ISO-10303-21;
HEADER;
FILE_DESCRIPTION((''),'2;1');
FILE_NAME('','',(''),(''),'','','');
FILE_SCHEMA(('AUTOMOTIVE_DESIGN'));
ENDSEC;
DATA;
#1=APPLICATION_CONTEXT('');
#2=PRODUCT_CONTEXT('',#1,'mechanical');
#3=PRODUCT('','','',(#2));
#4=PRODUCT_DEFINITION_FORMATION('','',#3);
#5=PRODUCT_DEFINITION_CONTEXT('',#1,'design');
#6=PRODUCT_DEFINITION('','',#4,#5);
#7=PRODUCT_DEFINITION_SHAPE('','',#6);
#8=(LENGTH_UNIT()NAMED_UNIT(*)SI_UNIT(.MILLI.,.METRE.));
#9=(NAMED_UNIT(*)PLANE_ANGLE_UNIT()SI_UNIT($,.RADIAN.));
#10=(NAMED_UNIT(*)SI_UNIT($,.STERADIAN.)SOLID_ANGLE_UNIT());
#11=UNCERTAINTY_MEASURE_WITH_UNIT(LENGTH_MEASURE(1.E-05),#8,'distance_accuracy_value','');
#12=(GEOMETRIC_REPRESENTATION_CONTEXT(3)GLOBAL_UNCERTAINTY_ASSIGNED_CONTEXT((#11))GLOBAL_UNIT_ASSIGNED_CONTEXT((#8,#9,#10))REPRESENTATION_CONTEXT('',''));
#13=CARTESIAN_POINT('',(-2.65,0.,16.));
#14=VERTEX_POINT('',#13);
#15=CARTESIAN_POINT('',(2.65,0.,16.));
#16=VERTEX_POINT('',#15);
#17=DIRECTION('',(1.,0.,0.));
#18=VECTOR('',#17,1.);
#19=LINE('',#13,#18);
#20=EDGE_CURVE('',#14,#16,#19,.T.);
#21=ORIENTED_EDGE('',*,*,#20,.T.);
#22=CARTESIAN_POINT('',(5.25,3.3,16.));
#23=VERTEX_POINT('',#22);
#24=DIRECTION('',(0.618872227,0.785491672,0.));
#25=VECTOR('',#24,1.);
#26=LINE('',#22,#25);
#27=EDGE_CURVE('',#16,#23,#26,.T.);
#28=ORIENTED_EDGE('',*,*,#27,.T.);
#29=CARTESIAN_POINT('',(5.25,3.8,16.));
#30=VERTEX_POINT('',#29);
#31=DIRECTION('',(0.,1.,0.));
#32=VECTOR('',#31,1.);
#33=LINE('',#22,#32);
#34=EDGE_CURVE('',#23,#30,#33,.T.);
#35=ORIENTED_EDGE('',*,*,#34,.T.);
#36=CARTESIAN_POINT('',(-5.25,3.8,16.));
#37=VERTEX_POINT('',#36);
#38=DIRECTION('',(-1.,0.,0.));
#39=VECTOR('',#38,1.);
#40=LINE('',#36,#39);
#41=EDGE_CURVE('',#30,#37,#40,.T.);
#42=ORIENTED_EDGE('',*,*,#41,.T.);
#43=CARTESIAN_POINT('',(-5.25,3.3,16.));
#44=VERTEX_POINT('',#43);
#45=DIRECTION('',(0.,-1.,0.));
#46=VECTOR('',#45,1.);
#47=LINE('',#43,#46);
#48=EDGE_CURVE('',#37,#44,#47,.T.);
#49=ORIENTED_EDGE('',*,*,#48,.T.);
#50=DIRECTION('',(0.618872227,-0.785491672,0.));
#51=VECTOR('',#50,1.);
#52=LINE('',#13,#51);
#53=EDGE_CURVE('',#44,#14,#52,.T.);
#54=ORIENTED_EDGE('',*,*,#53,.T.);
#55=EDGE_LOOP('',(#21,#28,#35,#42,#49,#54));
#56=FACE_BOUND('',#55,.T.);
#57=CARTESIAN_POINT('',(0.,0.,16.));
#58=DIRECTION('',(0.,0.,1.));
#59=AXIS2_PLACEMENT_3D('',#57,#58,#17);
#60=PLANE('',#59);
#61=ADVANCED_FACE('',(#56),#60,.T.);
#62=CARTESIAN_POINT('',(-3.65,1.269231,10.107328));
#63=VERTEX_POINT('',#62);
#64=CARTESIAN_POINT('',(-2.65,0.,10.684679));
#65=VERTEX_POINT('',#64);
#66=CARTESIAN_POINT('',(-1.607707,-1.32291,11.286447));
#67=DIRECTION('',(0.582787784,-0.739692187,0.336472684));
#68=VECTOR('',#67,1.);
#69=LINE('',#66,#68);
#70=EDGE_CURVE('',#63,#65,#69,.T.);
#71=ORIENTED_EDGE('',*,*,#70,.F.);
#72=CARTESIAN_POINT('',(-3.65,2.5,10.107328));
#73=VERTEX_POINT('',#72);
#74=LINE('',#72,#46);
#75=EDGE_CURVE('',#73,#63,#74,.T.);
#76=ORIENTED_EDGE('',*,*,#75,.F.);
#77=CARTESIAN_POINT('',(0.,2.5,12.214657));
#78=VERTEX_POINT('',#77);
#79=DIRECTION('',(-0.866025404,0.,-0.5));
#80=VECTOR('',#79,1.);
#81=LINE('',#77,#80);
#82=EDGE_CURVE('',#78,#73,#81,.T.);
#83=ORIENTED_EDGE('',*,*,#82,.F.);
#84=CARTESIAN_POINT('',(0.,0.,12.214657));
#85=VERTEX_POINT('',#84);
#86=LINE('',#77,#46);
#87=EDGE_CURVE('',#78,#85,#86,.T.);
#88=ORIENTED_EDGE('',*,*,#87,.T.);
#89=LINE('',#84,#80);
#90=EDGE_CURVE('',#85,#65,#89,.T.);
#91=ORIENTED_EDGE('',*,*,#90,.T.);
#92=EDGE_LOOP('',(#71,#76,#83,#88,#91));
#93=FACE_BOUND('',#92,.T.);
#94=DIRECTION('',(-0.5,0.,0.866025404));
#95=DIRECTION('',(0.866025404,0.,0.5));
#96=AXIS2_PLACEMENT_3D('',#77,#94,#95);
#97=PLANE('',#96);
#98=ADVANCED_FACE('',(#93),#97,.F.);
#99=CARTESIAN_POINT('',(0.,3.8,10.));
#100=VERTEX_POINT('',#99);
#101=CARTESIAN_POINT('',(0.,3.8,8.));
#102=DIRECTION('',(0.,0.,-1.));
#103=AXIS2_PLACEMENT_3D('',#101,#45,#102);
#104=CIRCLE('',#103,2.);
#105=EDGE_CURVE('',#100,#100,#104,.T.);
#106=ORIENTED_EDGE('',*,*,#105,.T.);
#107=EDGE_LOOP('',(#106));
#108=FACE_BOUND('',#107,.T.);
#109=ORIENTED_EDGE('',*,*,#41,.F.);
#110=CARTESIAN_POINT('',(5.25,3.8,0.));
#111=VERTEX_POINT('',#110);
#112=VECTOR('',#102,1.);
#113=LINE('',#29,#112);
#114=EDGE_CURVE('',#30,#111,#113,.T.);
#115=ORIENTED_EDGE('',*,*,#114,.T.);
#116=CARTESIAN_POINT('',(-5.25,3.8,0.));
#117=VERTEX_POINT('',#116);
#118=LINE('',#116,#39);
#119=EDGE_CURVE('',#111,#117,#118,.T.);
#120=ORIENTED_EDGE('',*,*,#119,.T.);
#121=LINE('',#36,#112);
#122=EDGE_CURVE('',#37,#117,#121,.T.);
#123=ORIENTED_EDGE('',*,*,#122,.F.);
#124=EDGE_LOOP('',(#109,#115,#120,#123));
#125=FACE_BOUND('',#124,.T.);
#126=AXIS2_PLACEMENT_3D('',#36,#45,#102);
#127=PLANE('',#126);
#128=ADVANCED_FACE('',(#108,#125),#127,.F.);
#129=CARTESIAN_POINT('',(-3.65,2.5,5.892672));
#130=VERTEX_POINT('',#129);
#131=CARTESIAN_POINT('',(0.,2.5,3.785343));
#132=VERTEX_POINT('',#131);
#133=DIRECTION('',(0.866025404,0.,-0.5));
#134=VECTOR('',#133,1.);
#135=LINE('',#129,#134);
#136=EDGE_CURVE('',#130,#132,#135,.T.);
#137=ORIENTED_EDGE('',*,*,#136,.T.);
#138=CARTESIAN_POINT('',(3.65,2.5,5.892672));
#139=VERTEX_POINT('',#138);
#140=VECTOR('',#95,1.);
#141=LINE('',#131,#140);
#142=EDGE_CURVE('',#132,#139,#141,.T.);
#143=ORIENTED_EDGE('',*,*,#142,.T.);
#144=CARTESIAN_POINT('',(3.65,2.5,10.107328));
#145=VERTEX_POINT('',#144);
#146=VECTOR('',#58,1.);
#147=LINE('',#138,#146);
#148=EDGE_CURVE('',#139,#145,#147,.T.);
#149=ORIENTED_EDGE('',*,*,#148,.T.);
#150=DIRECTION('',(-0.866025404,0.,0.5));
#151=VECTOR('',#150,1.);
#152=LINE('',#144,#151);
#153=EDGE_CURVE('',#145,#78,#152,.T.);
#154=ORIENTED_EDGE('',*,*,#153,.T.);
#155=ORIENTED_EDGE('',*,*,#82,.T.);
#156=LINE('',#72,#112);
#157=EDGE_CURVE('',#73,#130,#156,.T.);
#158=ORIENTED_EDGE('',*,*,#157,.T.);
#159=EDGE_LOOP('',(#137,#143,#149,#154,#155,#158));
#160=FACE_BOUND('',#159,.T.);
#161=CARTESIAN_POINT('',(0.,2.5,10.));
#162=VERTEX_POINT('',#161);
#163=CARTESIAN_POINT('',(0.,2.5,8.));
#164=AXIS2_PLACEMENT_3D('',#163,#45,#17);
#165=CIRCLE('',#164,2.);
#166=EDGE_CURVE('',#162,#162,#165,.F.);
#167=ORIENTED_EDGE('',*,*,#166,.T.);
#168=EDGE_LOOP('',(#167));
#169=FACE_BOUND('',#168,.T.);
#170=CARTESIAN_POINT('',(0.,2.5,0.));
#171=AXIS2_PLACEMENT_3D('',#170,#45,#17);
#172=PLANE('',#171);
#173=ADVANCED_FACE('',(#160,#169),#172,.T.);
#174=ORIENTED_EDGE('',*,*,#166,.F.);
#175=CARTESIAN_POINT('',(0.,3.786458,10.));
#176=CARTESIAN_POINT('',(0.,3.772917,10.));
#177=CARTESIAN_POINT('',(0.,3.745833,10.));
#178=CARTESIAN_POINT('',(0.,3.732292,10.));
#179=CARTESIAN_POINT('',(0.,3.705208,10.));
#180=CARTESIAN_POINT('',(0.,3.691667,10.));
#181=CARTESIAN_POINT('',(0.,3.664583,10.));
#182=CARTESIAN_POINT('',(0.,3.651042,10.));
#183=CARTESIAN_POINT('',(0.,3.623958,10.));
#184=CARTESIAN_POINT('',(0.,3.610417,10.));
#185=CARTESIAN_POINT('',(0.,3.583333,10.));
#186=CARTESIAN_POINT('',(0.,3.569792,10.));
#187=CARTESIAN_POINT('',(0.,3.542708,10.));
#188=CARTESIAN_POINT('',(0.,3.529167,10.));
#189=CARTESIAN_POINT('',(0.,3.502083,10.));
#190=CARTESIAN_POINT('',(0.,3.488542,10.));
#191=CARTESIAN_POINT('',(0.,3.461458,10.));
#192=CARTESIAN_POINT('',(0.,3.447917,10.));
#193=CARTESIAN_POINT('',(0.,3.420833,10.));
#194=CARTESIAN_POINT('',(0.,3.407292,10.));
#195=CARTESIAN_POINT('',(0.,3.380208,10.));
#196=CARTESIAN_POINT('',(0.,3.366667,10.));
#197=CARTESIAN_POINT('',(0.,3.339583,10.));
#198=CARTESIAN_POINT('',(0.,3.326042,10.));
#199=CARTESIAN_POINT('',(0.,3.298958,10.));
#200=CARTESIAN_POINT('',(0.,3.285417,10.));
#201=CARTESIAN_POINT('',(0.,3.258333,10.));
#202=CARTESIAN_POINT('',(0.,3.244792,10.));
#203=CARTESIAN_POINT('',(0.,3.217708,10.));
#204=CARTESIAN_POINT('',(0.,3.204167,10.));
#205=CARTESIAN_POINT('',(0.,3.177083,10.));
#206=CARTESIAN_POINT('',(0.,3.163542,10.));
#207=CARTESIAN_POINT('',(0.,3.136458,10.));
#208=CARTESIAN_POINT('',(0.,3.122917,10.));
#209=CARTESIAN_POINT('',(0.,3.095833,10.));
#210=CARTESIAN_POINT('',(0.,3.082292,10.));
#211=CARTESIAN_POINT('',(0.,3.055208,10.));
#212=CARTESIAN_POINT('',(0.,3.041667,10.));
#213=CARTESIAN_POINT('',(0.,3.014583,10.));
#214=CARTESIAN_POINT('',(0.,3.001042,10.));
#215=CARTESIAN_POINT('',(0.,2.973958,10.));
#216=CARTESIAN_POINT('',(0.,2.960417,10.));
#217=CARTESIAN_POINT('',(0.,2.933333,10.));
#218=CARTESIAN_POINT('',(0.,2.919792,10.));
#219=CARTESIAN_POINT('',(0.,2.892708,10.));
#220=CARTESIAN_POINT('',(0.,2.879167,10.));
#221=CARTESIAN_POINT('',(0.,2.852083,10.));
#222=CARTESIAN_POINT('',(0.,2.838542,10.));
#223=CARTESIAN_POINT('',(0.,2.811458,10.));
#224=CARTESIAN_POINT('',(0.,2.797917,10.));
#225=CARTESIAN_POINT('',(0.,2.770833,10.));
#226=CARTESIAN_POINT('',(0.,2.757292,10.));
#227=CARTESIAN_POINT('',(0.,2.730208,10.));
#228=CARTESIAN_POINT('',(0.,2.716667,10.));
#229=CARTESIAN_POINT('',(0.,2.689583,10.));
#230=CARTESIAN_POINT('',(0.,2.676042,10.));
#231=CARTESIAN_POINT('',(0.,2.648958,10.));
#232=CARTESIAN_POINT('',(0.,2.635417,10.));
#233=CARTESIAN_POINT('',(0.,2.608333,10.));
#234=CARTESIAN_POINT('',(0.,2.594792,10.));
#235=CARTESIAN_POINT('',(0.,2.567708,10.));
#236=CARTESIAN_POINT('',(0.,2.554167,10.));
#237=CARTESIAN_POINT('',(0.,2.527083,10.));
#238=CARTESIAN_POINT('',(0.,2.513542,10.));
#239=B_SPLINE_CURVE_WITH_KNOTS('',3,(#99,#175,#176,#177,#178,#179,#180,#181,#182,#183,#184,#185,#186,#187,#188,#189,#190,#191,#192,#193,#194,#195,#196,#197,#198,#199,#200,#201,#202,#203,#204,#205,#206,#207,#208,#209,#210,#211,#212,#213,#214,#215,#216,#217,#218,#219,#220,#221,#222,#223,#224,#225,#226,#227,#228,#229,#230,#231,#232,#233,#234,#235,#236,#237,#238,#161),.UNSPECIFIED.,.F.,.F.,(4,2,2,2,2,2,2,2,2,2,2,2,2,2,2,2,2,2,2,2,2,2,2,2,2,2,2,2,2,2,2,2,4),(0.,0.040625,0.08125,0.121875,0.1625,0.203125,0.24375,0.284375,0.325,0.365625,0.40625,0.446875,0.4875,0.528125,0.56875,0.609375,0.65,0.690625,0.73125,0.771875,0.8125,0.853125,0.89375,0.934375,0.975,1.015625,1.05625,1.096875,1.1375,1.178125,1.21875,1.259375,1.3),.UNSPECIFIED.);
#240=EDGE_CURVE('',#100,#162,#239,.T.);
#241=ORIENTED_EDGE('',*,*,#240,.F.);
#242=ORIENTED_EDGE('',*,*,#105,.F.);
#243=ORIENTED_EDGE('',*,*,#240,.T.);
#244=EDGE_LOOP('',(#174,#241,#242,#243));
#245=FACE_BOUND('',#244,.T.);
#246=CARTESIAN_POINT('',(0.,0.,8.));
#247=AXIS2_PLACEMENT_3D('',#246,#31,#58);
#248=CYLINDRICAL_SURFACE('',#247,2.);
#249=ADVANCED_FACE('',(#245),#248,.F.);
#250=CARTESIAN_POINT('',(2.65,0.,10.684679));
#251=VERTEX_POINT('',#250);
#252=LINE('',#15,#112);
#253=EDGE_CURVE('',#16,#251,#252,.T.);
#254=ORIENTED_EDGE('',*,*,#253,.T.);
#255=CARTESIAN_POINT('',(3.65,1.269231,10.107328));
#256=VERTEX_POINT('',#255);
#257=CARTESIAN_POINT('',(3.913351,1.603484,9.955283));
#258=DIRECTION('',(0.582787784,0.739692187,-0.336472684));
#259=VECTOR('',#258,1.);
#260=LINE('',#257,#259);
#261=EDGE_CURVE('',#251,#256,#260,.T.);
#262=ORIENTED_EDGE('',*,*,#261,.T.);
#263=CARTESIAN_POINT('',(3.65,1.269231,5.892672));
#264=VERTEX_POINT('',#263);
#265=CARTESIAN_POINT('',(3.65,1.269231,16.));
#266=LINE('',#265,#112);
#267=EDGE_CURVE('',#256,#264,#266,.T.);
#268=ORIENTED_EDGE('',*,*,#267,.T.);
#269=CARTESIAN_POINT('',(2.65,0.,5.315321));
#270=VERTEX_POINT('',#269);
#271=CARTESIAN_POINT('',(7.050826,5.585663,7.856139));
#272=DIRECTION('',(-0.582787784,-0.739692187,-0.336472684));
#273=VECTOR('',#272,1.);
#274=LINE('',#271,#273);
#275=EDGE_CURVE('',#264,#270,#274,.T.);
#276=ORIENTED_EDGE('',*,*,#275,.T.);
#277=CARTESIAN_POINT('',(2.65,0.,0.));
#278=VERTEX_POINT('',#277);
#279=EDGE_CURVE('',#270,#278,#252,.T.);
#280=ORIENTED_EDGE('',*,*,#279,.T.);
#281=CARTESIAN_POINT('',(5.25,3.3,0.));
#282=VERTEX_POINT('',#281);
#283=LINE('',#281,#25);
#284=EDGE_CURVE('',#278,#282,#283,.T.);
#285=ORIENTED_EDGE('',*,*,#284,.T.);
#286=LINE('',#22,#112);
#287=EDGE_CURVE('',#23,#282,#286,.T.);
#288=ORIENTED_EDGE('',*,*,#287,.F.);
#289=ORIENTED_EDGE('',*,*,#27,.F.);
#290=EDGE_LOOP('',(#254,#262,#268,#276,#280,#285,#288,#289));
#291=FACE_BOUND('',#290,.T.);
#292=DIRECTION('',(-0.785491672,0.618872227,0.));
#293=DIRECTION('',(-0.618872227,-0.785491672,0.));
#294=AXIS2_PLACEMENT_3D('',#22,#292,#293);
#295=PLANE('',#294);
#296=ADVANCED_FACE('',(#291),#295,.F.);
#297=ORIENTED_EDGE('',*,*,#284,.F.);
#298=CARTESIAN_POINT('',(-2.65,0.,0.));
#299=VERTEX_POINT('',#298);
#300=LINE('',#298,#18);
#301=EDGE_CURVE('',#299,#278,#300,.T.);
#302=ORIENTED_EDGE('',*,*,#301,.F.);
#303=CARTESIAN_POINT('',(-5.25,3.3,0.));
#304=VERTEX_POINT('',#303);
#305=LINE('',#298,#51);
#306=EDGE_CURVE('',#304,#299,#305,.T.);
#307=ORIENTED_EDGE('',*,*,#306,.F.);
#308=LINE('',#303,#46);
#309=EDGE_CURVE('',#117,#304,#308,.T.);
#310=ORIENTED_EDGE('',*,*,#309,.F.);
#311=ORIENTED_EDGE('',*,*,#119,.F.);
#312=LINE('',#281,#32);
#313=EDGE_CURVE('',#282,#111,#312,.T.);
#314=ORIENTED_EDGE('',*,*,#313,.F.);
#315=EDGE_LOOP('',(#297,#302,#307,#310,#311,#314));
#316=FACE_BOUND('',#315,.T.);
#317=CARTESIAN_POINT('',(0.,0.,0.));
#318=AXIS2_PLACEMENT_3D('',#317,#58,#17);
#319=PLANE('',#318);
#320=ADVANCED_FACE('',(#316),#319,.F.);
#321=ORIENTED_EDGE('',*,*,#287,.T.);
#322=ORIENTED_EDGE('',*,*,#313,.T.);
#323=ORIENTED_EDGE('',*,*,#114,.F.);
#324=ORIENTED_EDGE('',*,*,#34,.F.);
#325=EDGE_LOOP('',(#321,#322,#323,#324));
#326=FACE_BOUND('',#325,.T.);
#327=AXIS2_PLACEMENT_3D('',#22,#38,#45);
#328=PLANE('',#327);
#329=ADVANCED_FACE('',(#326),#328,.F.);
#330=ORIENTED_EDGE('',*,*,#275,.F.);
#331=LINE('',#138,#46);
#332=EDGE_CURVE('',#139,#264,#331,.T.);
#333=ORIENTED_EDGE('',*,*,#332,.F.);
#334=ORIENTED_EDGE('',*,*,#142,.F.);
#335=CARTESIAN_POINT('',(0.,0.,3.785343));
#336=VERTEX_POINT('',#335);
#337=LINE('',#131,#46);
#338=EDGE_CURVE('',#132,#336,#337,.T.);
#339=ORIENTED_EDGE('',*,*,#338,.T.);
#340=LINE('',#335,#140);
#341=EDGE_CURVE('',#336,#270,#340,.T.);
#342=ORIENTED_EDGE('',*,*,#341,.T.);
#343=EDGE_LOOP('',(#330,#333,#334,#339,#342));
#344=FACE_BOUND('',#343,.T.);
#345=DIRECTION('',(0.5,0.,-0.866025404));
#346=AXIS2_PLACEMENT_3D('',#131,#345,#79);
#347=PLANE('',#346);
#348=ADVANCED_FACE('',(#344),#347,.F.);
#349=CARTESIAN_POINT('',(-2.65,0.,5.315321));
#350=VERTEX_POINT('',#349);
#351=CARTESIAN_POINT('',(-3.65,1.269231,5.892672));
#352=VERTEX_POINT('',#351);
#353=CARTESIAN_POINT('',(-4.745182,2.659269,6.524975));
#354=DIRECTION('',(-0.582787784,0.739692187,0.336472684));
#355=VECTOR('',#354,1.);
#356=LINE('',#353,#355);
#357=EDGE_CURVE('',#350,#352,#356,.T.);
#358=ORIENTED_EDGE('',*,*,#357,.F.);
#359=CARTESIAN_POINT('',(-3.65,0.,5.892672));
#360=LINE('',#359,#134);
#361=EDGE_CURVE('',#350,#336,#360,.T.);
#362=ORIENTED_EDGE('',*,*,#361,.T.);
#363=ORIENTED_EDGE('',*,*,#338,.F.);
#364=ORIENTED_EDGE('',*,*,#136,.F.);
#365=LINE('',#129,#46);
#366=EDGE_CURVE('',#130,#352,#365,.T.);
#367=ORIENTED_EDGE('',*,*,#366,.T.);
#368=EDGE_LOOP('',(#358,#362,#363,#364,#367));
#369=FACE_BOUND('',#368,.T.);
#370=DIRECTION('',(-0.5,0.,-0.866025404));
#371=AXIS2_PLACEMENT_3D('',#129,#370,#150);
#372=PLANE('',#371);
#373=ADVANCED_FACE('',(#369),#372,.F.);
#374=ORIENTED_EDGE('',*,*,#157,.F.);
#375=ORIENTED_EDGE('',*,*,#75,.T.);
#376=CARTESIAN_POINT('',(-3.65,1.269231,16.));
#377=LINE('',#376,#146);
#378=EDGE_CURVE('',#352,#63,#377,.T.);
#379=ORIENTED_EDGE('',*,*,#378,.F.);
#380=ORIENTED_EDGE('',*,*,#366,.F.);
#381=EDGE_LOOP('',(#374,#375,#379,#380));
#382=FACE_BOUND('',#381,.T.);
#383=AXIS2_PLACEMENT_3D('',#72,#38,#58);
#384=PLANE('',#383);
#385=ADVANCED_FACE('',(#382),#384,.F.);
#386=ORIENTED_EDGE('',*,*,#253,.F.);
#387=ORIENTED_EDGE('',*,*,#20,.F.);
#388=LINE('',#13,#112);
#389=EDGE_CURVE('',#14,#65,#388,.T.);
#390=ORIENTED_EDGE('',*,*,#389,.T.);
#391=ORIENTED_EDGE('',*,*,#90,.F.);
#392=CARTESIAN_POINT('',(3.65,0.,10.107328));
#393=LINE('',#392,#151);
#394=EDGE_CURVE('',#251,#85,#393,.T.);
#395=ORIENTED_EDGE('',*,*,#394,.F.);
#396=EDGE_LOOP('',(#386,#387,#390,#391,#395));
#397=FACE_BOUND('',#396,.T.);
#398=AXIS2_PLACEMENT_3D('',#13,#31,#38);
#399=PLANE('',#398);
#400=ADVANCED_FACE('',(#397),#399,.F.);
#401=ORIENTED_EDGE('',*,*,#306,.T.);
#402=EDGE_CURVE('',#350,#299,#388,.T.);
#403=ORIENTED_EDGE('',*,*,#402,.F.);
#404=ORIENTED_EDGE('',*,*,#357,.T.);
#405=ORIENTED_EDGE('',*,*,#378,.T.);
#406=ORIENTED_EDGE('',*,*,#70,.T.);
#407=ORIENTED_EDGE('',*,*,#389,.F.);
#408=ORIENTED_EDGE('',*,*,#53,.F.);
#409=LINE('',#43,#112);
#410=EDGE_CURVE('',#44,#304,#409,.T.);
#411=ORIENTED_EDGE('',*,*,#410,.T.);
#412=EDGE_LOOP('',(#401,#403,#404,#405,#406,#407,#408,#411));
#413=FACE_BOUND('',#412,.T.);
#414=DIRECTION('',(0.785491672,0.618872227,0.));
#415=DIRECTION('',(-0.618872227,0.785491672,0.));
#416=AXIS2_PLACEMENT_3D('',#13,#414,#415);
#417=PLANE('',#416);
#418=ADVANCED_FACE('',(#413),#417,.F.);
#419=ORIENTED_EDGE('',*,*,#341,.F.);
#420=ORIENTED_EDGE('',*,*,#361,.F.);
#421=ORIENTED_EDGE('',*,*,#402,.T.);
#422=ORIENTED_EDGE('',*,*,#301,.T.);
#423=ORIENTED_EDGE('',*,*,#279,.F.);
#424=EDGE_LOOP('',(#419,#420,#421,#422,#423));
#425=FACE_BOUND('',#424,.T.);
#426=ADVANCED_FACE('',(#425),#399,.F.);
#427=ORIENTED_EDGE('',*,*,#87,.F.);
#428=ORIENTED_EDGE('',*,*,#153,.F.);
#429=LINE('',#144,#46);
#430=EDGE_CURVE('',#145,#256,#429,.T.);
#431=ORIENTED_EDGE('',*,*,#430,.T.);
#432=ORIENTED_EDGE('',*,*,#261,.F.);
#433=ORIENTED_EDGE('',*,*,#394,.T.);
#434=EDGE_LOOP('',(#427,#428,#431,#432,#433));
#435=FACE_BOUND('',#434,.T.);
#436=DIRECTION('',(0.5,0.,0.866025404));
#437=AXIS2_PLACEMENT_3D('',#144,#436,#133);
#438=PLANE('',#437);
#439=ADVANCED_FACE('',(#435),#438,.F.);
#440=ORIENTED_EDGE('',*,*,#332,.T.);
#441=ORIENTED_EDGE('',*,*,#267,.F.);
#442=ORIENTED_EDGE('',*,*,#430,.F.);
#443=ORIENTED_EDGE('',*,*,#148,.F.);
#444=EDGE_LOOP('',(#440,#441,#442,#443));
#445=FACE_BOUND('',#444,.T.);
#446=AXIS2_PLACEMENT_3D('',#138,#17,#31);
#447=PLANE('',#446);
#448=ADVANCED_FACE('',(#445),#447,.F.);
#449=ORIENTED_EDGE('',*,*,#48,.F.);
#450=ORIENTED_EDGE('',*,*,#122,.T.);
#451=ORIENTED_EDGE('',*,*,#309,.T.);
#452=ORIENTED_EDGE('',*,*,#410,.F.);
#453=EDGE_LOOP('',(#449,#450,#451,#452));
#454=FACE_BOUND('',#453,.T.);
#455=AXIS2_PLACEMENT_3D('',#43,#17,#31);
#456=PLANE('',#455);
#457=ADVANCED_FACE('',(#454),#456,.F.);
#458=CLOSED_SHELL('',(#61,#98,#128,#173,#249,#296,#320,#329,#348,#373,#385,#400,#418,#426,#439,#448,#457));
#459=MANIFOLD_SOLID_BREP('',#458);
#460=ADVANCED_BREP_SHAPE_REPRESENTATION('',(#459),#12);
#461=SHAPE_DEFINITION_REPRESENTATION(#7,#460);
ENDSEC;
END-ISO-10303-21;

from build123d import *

# Parameters (mm, degrees)
RESSALTO_EXTRUS_O1_DEPTH   = 16
CORTE_EXTRUS_O1_DEPTH      = 18.262748912
CORTE_EXTRUS_O1_DEPTH_BACK = 18.262748912
ESBO_O2_R                  = 2
CORTE_EXTRUS_O2_DEPTH      = 2.5


with BuildPart() as part:
    # Esboço1 → Ressalto-extrusão1 (new body)
    with BuildSketch(Plane.XY):
        Polygon((-2.65, 0), (2.65, 0), (5.25, 3.3), (5.25, 3.8), (-5.25, 3.8), (-5.25, 3.3), align=None)
    extrude(amount=RESSALTO_EXTRUS_O1_DEPTH)

    # Esboço2 → Corte-extrusão1 (cut, two sides: drawn at the far end of the back side and taken through both)
    with BuildSketch(Plane(origin=(0, 3.8, 0), x_dir=(1, 0, 0), z_dir=(0, 1, 0)).offset(-CORTE_EXTRUS_O1_DEPTH_BACK)):
        with Locations(Location((0, -8, 0), (0, 0, 270))):
            Circle(ESBO_O2_R)
    extrude(amount=CORTE_EXTRUS_O1_DEPTH + CORTE_EXTRUS_O1_DEPTH_BACK, mode=Mode.SUBTRACT)

    # Esboço3 → Corte-extrusão2 (cut)
    with BuildSketch(Plane.XZ):
        Polygon((0, 12.214656965), (-3.65, 10.107328483), (-3.65, 5.892671517), (0, 3.785343035), (3.65, 5.892671517), (3.65, 10.107328483), align=None)
    extrude(amount=-CORTE_EXTRUS_O2_DEPTH, mode=Mode.SUBTRACT)


solid = part.part
